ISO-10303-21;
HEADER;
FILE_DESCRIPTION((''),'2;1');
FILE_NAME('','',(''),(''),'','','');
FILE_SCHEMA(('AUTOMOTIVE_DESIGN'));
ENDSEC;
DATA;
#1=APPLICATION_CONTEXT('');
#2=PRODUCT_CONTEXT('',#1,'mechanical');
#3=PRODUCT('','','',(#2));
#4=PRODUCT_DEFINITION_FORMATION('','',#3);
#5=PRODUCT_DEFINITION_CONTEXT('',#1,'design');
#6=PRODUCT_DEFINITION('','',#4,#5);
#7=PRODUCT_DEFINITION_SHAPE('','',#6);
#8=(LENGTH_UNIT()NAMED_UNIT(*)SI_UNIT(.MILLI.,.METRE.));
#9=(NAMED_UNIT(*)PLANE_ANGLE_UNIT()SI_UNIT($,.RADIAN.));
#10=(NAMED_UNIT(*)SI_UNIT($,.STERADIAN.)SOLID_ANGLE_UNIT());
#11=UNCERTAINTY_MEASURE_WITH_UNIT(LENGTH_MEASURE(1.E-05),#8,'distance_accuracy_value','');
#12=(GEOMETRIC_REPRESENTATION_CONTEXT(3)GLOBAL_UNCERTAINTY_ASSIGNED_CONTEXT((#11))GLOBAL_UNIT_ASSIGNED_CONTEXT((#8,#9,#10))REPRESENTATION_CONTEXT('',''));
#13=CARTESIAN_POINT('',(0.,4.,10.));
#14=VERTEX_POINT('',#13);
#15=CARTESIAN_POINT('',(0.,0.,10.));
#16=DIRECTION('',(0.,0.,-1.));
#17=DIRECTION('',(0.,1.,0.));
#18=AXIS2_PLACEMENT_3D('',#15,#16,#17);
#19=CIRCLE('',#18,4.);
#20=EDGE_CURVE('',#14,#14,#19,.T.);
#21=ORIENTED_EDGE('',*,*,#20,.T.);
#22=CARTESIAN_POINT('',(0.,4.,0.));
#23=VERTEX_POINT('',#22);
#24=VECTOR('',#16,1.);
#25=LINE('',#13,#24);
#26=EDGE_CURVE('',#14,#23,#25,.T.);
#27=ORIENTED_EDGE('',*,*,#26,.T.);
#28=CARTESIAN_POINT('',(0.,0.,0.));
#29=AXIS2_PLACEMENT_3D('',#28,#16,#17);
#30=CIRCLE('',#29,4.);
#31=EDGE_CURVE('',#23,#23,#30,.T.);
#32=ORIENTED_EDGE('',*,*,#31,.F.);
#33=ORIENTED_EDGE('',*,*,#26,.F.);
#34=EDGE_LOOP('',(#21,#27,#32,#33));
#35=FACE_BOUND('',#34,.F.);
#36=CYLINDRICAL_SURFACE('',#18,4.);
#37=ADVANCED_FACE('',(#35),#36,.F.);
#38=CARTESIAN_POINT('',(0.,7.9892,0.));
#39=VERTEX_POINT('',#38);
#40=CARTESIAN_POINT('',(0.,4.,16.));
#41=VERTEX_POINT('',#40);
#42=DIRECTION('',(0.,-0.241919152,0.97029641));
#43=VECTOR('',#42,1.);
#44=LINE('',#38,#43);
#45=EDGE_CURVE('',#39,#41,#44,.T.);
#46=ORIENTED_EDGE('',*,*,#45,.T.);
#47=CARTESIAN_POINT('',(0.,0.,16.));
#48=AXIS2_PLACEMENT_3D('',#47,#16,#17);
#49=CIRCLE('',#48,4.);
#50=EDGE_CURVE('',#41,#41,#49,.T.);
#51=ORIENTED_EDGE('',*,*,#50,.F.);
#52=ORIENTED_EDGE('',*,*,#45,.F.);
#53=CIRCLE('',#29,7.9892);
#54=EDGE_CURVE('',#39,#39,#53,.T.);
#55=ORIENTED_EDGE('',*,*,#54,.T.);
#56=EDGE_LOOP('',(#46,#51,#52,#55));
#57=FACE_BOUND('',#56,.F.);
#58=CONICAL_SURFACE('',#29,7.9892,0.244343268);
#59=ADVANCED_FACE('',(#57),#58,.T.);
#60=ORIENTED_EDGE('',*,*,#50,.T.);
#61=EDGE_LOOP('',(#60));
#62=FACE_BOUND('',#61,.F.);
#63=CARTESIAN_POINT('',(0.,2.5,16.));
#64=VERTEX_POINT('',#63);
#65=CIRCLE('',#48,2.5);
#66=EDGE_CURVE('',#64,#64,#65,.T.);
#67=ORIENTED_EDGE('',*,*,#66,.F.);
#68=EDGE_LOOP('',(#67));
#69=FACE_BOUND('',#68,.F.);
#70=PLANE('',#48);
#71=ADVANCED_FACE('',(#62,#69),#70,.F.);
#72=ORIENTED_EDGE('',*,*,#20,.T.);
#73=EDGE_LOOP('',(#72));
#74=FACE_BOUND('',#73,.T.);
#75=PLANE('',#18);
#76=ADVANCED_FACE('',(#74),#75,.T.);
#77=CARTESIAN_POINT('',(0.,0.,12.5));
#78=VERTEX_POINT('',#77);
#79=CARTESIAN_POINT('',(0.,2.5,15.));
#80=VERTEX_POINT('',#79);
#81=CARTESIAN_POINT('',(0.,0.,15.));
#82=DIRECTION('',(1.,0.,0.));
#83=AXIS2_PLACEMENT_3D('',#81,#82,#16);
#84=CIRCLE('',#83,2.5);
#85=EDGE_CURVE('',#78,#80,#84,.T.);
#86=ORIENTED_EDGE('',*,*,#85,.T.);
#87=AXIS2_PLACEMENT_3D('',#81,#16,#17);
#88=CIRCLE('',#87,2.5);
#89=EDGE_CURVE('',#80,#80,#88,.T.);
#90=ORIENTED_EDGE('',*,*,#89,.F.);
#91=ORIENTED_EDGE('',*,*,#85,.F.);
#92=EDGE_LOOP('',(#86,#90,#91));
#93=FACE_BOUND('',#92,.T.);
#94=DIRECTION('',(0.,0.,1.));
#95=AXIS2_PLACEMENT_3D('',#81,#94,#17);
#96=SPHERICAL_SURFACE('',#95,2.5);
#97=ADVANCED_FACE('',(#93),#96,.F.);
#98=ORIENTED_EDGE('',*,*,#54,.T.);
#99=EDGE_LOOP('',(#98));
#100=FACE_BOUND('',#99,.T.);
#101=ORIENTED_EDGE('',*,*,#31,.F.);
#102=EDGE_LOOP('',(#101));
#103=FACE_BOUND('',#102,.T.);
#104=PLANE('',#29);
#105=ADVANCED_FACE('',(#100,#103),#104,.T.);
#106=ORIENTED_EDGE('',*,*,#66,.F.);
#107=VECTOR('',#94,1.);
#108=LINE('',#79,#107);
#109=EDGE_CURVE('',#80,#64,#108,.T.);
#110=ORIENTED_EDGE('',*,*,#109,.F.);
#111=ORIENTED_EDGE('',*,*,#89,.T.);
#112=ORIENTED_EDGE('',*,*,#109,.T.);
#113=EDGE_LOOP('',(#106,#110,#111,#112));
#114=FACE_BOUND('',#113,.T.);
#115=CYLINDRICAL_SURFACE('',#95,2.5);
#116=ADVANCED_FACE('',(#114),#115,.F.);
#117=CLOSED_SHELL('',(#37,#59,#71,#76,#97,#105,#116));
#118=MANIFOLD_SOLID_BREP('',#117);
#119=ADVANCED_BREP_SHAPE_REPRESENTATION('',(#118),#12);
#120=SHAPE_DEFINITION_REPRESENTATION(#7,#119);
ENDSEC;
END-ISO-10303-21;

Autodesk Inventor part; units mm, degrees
ref_plane "YZ Plane" through (0, 0, 0) normal (1, 0, 0) x (0, 1, 0)
ref_plane "XZ Plane" through (0, 0, 0) normal (0, 1, 0) x (-1, 0, 0)
ref_plane "XY Plane" through (0, 0, 0) normal (0, 0, 1) x (1, 0, 0)
sketch "Sketch1" plane through (0, 0, 0) normal (1, 0, 0) x (0, 1, 0)
  line L0 (0, 16) -> (4, 16) construction
  arc A0 (7.9892, 0) -> (4, 16) centre (-30.9916, -1.2217) ccw construction
  arc A1 (0, 12.5) -> (2.5, 15) centre (0, 15) ccw
  line L1 (0, 12.5) -> (0, 0) construction
  line L2 (4, 16) -> (2.5, 16)
  line L3 (2.5, 15) -> (2.5, 16)
  line L4 (7.9892, 0) -> (4, 0)
  line L5 (4, 10) -> (0, 10)
  line L6 (4, 10) -> (4, 0)
  line L7 (0, 12.5) -> (0, 10)
  line L8 (7.9892, 0) -> (4, 16)
  dimension "d0" = 4
  dimension "d3" = 5
  dimension "d4" = 1
  dimension "d5" = 4
  dimension "d11" = 10
  dimension "d12" = 16
  dimension "d13" = 104
revolve "Revolution1" add sketch "Sketch1" angle 360 about axis through (0, 0, 12.5) along (0, 0, -1)
sketch "Sketch2" plane through (0, 0, 0) normal (1, 0, 0) x (0, 1, 0)
  arc A0 (-2.5, 15) -> (2.5, 15) centre (0, 15) ccw projected
  circle A1 centre (0, 15) radius 1.5
  line L0 (0.6744, 16.3398) -> (-0.6744, 13.6602)
  point P0 (0, 0)
  dimension "d8" = 3
revolve "Revolution2" [suppressed]
properties part number "brush fitting"
